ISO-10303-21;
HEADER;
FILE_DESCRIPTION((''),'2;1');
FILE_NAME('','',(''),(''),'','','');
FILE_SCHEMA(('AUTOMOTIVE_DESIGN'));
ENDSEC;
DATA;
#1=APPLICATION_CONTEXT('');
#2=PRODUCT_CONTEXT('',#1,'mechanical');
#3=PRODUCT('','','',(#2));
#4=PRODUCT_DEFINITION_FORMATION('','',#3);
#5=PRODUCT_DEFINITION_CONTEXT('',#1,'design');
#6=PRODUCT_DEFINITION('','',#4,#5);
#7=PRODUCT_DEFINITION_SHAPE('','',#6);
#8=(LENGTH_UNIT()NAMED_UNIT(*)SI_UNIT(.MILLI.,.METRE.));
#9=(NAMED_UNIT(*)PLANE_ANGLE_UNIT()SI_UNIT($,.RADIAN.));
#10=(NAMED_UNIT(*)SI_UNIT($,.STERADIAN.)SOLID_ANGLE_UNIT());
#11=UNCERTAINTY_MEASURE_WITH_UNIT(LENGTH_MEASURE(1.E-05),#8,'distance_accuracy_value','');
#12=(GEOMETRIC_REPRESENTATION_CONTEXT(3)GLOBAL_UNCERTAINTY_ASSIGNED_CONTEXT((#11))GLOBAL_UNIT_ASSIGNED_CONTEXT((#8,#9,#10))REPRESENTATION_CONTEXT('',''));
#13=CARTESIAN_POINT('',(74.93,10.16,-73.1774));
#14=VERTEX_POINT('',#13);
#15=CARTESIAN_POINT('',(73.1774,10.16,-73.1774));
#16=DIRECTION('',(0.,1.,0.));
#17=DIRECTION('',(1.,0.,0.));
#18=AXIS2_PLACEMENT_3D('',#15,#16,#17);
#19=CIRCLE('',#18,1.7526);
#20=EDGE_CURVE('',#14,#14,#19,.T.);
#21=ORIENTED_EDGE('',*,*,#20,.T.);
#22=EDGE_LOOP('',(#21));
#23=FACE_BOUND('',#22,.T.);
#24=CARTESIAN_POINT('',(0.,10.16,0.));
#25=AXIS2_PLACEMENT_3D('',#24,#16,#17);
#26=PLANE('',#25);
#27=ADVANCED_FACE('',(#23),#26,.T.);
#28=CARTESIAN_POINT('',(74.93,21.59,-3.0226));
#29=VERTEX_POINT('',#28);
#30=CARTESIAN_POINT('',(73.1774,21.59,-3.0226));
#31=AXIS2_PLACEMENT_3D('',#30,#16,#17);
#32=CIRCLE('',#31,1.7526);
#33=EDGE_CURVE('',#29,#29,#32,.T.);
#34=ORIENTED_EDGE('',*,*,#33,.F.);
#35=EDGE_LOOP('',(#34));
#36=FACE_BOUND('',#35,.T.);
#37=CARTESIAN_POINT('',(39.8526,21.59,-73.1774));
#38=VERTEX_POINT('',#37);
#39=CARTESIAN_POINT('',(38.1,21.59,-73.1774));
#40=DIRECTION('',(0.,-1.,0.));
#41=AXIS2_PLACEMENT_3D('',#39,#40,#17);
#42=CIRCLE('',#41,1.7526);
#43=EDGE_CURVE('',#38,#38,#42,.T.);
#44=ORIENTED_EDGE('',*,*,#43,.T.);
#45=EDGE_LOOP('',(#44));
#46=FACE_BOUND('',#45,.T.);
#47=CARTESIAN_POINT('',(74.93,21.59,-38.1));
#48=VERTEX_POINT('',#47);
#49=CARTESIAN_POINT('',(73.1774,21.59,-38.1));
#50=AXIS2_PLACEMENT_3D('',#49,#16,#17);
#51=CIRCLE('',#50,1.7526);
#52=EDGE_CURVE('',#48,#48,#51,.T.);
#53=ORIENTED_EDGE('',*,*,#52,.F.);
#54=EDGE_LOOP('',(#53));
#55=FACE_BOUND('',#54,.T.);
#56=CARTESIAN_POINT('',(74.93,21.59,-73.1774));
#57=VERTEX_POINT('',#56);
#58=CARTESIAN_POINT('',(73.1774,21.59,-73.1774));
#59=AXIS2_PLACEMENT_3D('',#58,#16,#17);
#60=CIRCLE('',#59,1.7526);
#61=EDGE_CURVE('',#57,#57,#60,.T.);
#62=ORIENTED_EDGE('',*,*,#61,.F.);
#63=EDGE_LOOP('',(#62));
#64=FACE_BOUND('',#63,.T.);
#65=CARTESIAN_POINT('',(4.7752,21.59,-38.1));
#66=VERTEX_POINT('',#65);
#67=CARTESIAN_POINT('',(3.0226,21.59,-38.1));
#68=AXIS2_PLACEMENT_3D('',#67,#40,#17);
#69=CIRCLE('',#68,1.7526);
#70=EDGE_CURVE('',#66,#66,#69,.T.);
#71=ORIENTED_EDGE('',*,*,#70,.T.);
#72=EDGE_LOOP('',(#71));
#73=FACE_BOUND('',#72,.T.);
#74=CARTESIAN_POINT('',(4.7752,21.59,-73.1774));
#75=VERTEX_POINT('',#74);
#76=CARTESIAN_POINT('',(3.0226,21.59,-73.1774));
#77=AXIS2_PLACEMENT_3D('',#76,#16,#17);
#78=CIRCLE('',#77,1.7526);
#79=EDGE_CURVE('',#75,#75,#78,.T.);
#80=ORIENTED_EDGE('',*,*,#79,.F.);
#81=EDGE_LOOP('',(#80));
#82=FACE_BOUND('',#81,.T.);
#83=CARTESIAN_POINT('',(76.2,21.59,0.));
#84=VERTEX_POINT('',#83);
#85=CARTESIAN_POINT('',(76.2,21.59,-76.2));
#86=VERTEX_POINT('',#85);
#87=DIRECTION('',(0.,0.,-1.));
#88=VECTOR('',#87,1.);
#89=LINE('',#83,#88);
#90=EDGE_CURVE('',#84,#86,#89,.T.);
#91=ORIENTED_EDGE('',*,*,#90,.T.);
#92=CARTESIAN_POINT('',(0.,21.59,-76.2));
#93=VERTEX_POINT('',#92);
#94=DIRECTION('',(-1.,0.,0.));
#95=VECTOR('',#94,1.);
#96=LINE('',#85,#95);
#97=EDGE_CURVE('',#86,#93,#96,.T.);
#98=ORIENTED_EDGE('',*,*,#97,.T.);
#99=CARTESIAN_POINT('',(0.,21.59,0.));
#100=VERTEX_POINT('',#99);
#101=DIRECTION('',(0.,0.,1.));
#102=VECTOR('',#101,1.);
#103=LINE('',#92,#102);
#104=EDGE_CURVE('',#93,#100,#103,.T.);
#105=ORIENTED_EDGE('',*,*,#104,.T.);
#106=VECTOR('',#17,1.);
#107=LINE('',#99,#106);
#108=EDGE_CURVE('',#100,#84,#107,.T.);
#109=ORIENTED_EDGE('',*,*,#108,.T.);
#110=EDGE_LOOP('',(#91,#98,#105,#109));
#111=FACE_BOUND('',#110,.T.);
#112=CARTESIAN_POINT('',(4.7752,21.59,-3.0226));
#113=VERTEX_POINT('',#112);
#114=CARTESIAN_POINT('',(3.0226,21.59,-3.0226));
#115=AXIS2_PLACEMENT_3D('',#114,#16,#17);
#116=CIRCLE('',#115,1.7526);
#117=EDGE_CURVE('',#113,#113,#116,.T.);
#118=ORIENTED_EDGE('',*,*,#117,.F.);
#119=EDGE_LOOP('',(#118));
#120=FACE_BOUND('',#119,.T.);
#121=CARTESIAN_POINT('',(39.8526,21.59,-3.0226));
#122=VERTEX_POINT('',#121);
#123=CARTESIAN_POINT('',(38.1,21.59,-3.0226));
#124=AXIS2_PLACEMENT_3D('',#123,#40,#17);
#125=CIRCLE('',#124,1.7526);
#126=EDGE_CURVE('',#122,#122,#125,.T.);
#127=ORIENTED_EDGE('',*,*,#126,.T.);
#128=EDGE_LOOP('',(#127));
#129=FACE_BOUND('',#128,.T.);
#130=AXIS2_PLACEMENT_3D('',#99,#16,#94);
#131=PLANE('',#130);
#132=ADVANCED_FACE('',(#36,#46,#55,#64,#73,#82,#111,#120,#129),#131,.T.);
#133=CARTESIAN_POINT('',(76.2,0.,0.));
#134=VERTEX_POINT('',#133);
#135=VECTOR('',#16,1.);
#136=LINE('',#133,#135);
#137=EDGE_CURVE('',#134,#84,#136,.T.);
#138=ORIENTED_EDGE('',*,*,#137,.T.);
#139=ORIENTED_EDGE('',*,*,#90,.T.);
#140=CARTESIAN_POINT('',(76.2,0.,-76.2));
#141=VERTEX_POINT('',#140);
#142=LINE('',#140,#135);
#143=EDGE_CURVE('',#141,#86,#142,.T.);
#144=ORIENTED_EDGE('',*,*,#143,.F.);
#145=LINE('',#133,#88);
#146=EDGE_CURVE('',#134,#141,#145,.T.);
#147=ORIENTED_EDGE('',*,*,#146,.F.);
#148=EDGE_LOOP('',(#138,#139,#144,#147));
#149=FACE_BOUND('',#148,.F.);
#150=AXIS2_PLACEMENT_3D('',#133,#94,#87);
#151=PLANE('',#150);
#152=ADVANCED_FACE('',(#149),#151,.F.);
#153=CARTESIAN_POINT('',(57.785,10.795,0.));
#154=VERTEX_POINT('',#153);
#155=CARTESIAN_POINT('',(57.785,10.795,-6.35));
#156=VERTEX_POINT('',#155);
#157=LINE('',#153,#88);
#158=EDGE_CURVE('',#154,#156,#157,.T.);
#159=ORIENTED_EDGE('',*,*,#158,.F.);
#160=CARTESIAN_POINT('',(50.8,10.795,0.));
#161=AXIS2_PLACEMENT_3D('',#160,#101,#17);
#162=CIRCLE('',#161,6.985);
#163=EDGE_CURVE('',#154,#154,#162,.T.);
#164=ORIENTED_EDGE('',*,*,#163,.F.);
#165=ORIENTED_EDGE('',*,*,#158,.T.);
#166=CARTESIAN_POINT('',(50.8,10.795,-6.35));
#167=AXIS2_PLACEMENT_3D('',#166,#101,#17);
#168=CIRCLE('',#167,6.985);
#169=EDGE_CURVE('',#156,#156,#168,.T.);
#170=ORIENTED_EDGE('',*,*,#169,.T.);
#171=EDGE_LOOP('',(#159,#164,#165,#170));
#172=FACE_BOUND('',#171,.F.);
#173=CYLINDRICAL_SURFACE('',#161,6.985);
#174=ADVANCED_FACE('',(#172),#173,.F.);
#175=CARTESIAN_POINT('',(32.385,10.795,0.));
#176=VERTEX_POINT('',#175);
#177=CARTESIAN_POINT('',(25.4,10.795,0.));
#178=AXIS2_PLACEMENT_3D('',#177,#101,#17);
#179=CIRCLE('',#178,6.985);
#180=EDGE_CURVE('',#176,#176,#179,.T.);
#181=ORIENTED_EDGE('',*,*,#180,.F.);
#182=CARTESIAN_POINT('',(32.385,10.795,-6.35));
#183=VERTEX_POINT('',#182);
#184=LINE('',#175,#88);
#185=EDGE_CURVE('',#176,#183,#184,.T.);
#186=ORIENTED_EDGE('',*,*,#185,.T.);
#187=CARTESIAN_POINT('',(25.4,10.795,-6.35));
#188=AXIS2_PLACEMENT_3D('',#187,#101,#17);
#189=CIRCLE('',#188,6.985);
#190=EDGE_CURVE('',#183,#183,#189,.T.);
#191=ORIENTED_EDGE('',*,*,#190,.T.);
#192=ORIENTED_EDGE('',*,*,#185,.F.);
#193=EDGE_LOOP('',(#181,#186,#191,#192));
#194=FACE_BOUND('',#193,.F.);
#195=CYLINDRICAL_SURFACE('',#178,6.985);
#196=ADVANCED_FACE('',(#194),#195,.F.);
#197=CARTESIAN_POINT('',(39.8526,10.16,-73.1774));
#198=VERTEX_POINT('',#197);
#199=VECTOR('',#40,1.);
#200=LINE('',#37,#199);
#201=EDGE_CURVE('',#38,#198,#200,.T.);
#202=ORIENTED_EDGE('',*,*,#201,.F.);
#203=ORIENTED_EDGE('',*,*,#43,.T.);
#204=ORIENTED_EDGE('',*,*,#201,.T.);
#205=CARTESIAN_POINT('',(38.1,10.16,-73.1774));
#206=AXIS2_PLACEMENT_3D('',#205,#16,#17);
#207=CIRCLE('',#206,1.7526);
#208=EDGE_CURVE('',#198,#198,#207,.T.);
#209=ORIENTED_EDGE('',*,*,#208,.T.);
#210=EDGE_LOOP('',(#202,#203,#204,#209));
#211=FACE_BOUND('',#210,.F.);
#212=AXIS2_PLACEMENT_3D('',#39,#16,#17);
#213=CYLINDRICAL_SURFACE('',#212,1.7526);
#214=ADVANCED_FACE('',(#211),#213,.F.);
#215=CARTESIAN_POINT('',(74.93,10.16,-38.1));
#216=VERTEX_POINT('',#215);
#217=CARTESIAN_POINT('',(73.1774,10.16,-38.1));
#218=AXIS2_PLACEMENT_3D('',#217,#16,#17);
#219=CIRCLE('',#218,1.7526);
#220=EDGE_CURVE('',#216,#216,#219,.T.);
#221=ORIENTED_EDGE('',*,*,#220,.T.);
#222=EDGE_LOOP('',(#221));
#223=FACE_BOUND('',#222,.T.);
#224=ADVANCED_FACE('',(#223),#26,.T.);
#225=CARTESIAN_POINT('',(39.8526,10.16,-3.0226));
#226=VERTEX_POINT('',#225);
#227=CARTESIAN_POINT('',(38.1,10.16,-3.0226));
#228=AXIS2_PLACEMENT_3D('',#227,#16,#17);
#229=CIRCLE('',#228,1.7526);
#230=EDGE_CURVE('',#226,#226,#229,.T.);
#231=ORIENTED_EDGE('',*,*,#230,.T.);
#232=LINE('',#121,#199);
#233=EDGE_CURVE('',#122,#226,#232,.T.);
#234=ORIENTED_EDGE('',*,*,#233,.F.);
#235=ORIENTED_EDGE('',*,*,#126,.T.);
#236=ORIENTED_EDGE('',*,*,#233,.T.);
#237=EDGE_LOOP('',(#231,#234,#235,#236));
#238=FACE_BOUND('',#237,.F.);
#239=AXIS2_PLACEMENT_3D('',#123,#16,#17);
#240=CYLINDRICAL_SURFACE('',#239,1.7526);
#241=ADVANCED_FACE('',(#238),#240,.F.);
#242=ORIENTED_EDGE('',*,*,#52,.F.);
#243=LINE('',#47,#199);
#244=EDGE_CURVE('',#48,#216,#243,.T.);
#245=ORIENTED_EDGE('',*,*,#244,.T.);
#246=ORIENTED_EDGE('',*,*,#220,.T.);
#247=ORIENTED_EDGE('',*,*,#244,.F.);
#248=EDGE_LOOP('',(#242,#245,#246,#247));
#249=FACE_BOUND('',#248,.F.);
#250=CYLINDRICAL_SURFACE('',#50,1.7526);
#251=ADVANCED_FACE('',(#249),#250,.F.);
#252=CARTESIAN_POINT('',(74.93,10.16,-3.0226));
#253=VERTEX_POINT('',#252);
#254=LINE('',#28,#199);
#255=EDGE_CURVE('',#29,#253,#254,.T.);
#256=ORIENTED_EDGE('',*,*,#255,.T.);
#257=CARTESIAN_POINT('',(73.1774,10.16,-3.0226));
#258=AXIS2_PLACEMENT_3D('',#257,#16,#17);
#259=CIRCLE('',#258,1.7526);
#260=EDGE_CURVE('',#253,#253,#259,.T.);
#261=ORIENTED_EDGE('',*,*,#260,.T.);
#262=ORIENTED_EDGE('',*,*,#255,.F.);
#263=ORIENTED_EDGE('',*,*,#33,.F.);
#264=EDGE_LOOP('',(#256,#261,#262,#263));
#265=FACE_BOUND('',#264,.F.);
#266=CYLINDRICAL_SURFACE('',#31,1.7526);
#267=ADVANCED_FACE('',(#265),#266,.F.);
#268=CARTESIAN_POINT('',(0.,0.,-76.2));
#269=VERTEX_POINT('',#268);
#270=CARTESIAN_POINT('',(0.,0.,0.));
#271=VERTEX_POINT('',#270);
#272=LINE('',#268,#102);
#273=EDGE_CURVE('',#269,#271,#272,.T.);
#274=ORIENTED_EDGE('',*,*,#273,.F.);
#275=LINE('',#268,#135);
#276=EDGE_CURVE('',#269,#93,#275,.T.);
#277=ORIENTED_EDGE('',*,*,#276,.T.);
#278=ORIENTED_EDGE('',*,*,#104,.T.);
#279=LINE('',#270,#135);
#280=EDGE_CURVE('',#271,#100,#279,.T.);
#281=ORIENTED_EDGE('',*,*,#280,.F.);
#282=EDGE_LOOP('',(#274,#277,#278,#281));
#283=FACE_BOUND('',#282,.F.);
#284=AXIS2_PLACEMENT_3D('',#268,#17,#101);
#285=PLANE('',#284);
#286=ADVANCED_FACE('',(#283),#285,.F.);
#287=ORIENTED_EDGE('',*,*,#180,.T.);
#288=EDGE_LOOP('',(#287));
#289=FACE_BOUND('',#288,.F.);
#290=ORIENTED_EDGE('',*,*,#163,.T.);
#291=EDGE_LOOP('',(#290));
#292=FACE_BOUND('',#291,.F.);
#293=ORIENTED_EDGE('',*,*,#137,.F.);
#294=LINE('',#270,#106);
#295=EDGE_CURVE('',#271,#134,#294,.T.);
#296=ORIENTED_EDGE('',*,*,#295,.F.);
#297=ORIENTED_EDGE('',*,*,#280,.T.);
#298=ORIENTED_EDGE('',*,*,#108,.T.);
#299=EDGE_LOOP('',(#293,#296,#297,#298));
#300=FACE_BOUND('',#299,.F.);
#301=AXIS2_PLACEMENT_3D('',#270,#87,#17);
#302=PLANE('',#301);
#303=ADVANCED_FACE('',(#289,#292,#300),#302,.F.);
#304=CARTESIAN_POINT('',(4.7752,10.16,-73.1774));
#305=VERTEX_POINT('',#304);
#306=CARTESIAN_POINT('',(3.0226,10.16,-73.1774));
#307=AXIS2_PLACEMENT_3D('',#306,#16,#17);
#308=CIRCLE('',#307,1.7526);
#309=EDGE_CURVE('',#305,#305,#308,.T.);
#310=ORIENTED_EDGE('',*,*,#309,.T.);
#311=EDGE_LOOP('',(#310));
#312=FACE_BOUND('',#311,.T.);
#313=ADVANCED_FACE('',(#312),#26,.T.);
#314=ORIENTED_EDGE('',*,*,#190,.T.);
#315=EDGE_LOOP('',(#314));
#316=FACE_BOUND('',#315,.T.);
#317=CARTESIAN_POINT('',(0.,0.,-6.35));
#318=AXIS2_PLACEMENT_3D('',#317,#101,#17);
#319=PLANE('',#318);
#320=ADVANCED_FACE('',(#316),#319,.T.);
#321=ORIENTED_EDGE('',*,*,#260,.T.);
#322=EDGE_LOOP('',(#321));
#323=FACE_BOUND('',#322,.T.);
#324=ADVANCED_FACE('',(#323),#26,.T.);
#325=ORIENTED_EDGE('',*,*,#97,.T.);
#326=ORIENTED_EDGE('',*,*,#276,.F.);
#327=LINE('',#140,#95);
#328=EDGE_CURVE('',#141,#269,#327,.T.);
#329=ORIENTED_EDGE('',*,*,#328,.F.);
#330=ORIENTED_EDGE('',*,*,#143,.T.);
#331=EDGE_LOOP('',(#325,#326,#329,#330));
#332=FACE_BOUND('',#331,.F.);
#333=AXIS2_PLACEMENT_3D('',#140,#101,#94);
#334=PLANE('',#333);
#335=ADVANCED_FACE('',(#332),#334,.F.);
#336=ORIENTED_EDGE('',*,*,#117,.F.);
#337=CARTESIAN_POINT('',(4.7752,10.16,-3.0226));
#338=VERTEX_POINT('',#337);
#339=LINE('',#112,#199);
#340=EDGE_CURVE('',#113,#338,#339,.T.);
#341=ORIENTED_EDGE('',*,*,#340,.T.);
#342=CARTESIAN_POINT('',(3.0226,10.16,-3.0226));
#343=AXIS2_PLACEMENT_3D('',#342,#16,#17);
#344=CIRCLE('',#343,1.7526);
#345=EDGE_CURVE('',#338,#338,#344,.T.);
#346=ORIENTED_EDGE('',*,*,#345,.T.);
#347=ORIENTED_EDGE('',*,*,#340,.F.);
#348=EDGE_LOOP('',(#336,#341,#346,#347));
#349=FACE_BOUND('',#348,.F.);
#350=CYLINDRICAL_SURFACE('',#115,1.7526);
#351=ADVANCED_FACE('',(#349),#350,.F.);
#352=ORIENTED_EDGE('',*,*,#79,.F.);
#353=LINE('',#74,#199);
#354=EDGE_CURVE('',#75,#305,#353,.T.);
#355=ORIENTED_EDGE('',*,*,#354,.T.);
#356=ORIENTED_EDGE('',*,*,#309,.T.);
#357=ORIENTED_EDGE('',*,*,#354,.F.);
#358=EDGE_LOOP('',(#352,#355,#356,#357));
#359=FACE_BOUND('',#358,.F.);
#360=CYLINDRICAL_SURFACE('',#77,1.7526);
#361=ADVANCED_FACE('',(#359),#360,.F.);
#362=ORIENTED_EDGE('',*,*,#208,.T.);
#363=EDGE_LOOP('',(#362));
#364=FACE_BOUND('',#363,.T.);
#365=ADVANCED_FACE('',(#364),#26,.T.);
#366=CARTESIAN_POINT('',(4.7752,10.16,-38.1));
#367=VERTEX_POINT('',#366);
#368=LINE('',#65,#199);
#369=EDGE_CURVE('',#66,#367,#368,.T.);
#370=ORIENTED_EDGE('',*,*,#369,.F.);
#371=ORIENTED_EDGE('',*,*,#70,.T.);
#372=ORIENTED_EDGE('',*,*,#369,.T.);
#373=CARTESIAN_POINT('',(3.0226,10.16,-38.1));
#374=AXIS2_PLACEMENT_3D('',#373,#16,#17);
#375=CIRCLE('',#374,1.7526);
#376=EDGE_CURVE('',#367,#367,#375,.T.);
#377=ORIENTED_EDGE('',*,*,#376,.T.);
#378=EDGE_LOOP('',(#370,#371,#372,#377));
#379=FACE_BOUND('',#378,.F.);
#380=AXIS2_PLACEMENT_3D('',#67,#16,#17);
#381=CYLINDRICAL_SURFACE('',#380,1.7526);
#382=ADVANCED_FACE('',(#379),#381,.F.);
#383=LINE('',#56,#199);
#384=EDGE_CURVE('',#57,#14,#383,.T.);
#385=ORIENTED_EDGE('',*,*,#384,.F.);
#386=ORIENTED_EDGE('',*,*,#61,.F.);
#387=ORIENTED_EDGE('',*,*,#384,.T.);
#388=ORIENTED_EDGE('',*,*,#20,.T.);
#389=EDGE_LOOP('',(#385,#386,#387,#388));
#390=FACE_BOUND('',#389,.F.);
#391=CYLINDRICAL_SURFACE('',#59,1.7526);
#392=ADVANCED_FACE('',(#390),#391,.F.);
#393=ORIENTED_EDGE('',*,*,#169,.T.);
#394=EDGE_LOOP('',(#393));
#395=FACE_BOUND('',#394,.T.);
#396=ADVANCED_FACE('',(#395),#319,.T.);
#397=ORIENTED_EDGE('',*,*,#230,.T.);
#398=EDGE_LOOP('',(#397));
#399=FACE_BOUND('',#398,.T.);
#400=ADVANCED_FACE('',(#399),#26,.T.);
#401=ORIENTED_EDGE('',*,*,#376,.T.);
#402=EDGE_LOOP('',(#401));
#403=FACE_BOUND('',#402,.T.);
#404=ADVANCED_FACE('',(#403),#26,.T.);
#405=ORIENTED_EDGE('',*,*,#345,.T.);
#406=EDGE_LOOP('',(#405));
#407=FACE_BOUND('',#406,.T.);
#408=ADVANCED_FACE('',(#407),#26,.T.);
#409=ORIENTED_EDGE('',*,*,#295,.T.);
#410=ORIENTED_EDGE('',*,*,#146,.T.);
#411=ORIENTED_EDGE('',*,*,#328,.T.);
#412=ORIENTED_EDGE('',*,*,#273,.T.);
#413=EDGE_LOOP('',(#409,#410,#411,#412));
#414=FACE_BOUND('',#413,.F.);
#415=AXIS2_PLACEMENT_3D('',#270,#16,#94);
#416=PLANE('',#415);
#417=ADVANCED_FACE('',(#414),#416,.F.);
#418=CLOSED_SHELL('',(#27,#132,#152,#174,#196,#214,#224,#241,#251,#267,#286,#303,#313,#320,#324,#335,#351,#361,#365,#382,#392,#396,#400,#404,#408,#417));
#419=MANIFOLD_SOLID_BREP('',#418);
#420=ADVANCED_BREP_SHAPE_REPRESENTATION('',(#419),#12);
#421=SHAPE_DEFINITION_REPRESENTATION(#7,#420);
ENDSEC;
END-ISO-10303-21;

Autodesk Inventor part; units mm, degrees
ref_plane "YZ Plane" through (0, 0, 0) normal (1, 0, 0) x (0, 1, 0)
ref_plane "XZ Plane" through (0, 0, 0) normal (0, 1, 0) x (-1, 0, 0)
ref_plane "XY Plane" through (0, 0, 0) normal (0, 0, 1) x (1, 0, 0)
sketch "Sketch1" plane through (0, 0, 0) normal (0, 1, 0) x (-1, 0, 0)
  line L0 (0, 0) -> (-76.2, 0)
  line L1 (-76.2, 0) -> (-76.2, -76.2)
  line L2 (-76.2, -76.2) -> (0, -76.2)
  line L3 (0, -76.2) -> (0, 0)
  dimension "d0" = 76.2
  dimension "d1" = 76.2
extrude "Extrusion1" add sketch "Sketch1" along normal blind 21.59
sketch "Sketch2" plane through (0, 21.59, 0) normal (0, 1, 0) x (1, 0, 0)
  line L0 (76.2, 76.2) -> (0, 76.2) projected
  line L1 (38.1, 76.2) -> (38.1, 73.1774)
  line L2 (0, 76.2) -> (0, 0) projected
  line L3 (0, 38.1) -> (3.0226, 38.1)
  line L4 (0, 0) -> (76.2, 0) projected
  line L5 (38.1, 0) -> (38.1, 3.0226)
  line L6 (76.2, 0) -> (76.2, 76.2) projected
  line L7 (76.2, 38.1) -> (73.1774, 38.1)
  circle A0 centre (3.0226, 73.1774) radius 1.7526
  circle A1 centre (73.1774, 3.0226) radius 1.7526
  circle A2 centre (73.1774, 73.1774) radius 1.7526
  circle A3 centre (38.1, 3.0226) radius 1.7526
  circle A4 centre (3.0226, 38.1) radius 1.7526
  circle A5 centre (38.1, 73.1774) radius 1.7526
  circle A6 centre (3.0226, 3.0226) radius 1.7526
  circle A7 centre (73.1774, 38.1) radius 1.7526
  dimension "d5" = 3.0226
  dimension "d6" = 3.0226
  dimension "d7" = 3.0226
  dimension "d8" = 3.0226
  dimension "d9" = 3.5052
  dimension "d10" = 3.5052
  dimension "d11" = 3.5052
  dimension "d12" = 3.5052
  dimension "d13" = 3.5052
  dimension "d14" = 3.5052
  dimension "d15" = 3.5052
  dimension "d16" = 3.5052
extrude "Extrusion2" cut sketch "Sketch2" against normal blind 11.43 contours A5 | A4 | A3 | A7 | A0 | A1 | A2 | A6
sketch "Sketch3" plane through (0, 0, 0) normal (0, 0, 1) x (1, 0, 0)
  line L0 (0, 0) -> (0, 21.59) projected
  circle A0 centre (25.4, 10.795) radius 6.985
  circle A1 centre (50.8, 10.795) radius 6.985
  dimension "d21" = 13.97
  dimension "d22" = 13.97
extrude "Extrusion3" cut sketch "Sketch3" against normal blind 6.35
properties part number "water_block_top"
